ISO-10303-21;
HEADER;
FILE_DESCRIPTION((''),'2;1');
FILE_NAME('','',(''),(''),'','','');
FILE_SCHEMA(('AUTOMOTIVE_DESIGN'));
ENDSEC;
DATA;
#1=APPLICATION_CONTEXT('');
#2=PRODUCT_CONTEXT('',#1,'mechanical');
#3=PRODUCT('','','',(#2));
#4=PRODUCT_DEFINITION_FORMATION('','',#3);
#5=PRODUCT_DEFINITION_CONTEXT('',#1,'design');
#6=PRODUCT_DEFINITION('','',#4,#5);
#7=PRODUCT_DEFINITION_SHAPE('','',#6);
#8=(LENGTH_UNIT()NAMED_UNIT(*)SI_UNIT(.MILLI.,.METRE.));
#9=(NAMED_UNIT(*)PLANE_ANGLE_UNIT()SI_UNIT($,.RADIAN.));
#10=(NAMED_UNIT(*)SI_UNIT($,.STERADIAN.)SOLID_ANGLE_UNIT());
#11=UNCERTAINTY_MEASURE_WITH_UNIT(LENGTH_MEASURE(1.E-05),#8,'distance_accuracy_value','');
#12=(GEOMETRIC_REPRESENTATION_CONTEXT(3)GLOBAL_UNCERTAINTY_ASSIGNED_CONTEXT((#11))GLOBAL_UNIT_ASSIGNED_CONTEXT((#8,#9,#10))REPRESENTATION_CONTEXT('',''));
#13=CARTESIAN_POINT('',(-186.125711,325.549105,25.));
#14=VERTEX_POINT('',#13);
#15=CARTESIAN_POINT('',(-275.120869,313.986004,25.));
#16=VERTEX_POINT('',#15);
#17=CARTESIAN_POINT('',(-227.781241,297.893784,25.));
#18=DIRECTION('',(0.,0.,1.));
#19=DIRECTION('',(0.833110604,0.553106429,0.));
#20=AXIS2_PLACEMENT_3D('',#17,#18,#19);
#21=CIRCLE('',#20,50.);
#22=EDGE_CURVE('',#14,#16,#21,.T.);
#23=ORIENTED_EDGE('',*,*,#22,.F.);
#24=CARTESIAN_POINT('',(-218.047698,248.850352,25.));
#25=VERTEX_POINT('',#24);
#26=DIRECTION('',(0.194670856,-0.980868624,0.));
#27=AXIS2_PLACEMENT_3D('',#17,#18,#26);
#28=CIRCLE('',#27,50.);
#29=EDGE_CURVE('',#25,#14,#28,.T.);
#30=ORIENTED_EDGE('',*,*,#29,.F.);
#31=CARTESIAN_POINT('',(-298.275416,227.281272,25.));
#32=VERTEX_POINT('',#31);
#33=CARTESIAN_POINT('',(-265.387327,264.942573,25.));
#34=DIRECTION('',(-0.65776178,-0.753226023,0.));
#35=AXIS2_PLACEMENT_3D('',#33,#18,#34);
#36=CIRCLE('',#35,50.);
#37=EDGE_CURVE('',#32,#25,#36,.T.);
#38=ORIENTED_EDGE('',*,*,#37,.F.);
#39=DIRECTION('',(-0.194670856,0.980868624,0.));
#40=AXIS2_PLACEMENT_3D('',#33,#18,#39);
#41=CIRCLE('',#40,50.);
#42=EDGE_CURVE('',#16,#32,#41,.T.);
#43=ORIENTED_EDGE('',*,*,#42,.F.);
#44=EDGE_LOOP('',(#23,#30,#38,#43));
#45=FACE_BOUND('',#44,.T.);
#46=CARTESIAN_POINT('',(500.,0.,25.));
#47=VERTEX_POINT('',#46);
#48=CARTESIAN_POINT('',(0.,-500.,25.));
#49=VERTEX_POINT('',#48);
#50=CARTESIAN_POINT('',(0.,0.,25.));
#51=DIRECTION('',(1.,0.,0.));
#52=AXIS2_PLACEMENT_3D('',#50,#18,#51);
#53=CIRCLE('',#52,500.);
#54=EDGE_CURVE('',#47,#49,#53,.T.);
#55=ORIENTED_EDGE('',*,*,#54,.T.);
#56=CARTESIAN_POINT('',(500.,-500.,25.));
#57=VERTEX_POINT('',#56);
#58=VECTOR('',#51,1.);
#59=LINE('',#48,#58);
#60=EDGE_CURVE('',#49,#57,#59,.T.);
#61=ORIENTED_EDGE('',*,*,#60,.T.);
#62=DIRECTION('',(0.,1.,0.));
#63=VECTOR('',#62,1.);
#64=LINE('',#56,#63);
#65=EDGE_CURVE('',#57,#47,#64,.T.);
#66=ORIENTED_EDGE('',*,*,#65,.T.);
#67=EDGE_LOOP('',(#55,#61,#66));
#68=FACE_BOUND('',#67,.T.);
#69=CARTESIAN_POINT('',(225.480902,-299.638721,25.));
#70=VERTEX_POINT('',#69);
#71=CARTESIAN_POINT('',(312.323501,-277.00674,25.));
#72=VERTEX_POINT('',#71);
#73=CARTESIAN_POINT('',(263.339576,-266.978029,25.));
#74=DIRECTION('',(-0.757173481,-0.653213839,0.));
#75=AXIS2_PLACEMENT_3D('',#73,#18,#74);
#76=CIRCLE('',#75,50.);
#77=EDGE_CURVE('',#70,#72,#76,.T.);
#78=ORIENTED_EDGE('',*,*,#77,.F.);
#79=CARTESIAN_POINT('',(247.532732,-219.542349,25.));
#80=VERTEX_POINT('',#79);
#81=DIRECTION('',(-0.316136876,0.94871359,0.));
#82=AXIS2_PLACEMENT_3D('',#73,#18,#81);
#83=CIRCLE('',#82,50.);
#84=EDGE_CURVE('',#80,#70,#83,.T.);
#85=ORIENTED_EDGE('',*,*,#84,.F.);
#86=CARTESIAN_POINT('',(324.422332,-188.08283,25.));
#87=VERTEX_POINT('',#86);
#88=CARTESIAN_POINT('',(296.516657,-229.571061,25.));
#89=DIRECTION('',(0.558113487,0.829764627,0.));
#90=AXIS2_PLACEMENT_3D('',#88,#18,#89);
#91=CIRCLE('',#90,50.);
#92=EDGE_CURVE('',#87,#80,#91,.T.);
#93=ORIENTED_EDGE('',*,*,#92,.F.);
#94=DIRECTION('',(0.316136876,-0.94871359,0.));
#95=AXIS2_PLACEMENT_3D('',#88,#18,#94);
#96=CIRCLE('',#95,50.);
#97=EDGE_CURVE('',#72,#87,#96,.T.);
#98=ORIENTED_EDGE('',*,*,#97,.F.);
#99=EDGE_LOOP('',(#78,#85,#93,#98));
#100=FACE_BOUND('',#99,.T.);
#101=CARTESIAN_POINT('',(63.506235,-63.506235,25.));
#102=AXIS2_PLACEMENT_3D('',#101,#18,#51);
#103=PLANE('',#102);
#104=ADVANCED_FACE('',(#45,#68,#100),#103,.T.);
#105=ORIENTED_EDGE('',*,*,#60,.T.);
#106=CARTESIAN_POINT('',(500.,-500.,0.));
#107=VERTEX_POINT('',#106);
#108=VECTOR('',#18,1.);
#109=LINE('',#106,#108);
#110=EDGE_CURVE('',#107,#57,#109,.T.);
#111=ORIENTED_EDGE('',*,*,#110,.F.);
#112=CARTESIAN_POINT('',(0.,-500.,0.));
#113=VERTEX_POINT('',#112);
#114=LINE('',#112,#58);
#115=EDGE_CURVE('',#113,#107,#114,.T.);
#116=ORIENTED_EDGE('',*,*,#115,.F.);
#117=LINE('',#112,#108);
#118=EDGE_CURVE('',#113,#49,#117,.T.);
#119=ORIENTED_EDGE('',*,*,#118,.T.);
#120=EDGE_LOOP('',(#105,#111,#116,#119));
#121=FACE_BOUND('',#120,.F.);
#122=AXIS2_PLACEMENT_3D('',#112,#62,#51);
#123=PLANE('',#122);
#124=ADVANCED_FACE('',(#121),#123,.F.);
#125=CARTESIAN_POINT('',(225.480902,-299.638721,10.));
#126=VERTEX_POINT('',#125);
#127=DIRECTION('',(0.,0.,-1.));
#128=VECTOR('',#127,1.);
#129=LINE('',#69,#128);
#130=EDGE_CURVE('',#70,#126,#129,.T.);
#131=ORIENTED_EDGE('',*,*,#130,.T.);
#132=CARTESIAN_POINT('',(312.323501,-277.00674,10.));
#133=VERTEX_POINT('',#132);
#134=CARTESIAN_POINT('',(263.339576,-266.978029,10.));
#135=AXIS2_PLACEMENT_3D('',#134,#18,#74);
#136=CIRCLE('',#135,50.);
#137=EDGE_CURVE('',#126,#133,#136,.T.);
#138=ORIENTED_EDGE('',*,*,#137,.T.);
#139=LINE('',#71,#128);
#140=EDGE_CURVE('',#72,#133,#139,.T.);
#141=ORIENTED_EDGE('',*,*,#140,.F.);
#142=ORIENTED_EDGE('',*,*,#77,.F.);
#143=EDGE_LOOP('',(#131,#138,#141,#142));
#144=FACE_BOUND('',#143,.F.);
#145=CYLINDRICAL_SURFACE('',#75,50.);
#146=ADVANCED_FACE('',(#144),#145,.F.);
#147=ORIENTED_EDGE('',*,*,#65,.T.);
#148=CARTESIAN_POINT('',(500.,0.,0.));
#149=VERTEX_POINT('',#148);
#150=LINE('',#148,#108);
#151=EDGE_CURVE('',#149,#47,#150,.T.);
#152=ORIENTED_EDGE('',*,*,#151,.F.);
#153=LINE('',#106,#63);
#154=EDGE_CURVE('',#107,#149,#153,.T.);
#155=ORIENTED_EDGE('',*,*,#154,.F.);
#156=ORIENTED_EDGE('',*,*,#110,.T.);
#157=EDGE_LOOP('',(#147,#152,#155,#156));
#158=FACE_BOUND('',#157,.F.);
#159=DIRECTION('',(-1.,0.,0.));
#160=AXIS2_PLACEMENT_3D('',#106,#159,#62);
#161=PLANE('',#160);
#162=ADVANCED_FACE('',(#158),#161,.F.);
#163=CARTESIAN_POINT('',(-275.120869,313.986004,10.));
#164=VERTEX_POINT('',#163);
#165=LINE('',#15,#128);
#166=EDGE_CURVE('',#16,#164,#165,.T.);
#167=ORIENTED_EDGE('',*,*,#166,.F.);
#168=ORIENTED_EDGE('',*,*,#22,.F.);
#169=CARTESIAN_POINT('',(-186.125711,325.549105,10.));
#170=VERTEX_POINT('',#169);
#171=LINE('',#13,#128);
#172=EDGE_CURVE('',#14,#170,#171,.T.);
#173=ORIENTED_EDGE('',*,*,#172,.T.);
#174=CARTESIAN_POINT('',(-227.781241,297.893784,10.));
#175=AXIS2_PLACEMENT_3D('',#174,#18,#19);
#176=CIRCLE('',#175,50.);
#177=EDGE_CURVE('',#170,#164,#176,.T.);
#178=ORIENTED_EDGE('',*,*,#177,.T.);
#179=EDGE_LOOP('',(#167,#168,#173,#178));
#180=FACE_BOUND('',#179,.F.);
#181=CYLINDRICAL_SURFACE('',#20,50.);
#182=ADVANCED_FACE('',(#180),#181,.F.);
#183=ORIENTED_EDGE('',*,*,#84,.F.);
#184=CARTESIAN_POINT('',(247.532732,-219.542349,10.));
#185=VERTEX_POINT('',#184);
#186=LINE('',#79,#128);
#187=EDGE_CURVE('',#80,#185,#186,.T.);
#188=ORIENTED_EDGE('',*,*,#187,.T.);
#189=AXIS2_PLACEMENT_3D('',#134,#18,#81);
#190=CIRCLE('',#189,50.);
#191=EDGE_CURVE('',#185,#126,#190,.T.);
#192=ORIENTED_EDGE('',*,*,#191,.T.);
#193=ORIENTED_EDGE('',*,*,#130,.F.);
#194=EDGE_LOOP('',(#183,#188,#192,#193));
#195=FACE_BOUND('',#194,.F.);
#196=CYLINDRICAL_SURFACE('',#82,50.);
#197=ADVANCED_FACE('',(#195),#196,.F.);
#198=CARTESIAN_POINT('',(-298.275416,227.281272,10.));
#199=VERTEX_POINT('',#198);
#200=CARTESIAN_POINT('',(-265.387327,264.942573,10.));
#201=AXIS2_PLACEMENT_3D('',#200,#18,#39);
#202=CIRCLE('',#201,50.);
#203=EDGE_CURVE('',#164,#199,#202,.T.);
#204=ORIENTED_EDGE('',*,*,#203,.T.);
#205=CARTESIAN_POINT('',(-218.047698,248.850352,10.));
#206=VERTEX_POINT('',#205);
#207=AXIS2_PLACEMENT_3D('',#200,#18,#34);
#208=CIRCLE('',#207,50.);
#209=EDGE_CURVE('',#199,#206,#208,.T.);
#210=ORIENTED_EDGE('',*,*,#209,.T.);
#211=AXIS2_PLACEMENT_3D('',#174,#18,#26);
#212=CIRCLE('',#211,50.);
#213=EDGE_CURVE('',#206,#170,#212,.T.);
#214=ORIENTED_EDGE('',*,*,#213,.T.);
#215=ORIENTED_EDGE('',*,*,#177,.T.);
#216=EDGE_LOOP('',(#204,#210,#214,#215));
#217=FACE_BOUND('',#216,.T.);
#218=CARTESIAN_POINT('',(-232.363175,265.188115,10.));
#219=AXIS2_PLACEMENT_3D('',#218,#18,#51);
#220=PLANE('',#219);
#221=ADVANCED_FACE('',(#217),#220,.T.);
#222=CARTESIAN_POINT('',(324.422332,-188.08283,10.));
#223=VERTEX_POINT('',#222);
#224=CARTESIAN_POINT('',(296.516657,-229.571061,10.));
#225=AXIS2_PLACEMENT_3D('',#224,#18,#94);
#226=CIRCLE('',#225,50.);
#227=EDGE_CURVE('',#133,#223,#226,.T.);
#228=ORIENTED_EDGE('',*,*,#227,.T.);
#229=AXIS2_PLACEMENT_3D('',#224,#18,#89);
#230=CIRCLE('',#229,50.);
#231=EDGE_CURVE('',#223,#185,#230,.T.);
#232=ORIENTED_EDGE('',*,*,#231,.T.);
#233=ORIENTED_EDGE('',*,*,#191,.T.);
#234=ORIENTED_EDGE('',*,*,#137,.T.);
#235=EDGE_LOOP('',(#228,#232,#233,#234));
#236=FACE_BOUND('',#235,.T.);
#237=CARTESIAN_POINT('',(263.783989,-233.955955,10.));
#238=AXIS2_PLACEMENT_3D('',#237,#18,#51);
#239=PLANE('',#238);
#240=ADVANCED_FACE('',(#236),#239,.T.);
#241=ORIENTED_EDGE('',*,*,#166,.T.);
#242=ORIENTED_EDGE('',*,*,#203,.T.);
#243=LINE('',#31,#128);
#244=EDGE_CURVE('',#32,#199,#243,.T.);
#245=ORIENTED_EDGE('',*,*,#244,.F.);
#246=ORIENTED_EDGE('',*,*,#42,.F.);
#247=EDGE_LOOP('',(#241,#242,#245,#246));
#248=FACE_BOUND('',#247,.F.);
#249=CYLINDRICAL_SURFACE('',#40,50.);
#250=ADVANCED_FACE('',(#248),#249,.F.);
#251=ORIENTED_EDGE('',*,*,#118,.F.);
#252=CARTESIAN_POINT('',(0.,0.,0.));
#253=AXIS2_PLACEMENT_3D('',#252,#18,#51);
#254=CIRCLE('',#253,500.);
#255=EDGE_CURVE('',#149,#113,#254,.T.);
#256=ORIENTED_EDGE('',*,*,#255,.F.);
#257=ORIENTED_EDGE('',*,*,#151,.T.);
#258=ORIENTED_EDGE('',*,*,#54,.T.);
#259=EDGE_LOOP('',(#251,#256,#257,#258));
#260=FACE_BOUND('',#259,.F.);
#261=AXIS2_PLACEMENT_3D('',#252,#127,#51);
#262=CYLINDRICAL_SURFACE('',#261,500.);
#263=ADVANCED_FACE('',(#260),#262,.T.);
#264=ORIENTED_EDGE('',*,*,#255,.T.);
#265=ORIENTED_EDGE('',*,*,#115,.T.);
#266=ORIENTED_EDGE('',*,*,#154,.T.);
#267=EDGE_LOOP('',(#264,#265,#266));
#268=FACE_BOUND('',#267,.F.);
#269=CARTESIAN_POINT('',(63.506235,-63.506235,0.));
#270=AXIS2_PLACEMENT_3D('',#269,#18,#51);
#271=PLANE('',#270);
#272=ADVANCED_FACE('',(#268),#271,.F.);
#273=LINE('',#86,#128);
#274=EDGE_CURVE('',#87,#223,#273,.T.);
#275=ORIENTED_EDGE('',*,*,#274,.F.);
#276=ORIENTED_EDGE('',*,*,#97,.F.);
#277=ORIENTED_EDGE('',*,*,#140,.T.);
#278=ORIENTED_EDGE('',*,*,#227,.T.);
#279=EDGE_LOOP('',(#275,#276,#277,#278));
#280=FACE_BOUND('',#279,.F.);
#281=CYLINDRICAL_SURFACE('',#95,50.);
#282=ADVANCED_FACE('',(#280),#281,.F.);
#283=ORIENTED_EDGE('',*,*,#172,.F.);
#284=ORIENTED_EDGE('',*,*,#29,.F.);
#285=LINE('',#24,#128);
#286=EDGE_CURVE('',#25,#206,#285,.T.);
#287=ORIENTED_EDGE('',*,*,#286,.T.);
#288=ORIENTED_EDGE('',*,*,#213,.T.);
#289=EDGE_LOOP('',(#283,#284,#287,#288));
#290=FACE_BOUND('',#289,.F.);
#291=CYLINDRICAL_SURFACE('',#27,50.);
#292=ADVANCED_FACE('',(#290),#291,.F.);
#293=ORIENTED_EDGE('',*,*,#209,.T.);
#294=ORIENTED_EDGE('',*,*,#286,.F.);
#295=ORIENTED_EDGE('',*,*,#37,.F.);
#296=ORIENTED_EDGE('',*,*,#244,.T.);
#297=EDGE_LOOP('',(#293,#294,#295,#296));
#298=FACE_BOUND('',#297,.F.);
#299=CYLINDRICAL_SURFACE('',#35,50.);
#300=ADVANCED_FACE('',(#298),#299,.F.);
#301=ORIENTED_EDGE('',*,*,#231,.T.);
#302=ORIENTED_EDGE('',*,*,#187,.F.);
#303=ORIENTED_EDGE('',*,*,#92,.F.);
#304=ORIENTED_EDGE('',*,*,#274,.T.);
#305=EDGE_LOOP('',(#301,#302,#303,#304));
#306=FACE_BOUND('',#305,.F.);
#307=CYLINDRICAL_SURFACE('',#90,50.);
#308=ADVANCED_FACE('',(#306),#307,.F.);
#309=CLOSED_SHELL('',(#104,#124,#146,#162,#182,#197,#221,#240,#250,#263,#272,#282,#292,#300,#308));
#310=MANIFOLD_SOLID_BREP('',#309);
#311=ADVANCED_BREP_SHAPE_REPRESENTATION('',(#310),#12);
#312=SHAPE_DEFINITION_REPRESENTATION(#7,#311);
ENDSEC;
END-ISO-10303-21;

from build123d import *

# Parameters (mm, degrees)
F1_DEPTH = 25
F3_DEPTH = 15


with BuildPart() as f1:
    # F0 (on Top) → F1 (new body)
    with BuildSketch(Plane.XY):
        with BuildLine():
            Line((500, -500), (500, 0))
            ThreePointArc((500, 0), (-353.5533905933, 353.5533905933), (0, -500))
            Line((0, -500), (500, -500))
        make_face()
    extrude(amount=F1_DEPTH)

    # F2 (on face) → F3 (cut)
    with BuildSketch(Plane.XY.offset(25)):
        with BuildLine():
            ThreePointArc((-298.275415629, 227.2812716247), (-252.4058759305, 216.6571511717), (-218.0476979236, 248.8503524976))
            ThreePointArc((-218.0476979236, 248.8503524976), (-181.6197430258, 278.681388509), (-186.1257105524, 325.5491051614))
            ThreePointArc((-186.1257105524, 325.5491051614), (-247.1340821062, 282.0456442875), (-298.275415629, 227.2812716247))
        make_face()
        with BuildLine():
            ThreePointArc((-298.275415629, 227.2812716247), (-247.1340821062, 282.0456442875), (-186.1257105524, 325.5491051614))
            ThreePointArc((-186.1257105524, 325.5491051614), (-234.2235672882, 347.4770109931), (-275.1208694556, 313.9860039588))
            ThreePointArc((-275.1208694556, 313.9860039588), (-313.694453721, 277.8430174516), (-298.275415629, 227.2812716247))
        make_face()
        with BuildLine():
            ThreePointArc((247.5327318447, -219.5423493849), (215.1332053959, -253.7060332238), (225.4809015759, -299.6387208365))
            ThreePointArc((225.4809015759, -299.6387208365), (280.5522601623, -248.8281119926), (324.4223315889, -188.0828295364))
            ThreePointArc((324.4223315889, -188.0828295364), (277.5826002462, -183.2947009562), (247.5327318447, -219.5423493849))
        make_face()
        with BuildLine():
            ThreePointArc((324.4223315889, -188.0828295364), (280.5522601623, -248.8281119926), (225.4809015759, -299.6387208365))
            ThreePointArc((225.4809015759, -299.6387208365), (275.9488753473, -315.3619679614), (312.3235010153, -277.0067403613))
            ThreePointArc((312.3235010153, -277.0067403613), (346.0601889945, -236.311866471), (324.4223315889, -188.0828295364))
        make_face()
    extrude(amount=-F3_DEPTH, mode=Mode.SUBTRACT)


solid = f1.part
